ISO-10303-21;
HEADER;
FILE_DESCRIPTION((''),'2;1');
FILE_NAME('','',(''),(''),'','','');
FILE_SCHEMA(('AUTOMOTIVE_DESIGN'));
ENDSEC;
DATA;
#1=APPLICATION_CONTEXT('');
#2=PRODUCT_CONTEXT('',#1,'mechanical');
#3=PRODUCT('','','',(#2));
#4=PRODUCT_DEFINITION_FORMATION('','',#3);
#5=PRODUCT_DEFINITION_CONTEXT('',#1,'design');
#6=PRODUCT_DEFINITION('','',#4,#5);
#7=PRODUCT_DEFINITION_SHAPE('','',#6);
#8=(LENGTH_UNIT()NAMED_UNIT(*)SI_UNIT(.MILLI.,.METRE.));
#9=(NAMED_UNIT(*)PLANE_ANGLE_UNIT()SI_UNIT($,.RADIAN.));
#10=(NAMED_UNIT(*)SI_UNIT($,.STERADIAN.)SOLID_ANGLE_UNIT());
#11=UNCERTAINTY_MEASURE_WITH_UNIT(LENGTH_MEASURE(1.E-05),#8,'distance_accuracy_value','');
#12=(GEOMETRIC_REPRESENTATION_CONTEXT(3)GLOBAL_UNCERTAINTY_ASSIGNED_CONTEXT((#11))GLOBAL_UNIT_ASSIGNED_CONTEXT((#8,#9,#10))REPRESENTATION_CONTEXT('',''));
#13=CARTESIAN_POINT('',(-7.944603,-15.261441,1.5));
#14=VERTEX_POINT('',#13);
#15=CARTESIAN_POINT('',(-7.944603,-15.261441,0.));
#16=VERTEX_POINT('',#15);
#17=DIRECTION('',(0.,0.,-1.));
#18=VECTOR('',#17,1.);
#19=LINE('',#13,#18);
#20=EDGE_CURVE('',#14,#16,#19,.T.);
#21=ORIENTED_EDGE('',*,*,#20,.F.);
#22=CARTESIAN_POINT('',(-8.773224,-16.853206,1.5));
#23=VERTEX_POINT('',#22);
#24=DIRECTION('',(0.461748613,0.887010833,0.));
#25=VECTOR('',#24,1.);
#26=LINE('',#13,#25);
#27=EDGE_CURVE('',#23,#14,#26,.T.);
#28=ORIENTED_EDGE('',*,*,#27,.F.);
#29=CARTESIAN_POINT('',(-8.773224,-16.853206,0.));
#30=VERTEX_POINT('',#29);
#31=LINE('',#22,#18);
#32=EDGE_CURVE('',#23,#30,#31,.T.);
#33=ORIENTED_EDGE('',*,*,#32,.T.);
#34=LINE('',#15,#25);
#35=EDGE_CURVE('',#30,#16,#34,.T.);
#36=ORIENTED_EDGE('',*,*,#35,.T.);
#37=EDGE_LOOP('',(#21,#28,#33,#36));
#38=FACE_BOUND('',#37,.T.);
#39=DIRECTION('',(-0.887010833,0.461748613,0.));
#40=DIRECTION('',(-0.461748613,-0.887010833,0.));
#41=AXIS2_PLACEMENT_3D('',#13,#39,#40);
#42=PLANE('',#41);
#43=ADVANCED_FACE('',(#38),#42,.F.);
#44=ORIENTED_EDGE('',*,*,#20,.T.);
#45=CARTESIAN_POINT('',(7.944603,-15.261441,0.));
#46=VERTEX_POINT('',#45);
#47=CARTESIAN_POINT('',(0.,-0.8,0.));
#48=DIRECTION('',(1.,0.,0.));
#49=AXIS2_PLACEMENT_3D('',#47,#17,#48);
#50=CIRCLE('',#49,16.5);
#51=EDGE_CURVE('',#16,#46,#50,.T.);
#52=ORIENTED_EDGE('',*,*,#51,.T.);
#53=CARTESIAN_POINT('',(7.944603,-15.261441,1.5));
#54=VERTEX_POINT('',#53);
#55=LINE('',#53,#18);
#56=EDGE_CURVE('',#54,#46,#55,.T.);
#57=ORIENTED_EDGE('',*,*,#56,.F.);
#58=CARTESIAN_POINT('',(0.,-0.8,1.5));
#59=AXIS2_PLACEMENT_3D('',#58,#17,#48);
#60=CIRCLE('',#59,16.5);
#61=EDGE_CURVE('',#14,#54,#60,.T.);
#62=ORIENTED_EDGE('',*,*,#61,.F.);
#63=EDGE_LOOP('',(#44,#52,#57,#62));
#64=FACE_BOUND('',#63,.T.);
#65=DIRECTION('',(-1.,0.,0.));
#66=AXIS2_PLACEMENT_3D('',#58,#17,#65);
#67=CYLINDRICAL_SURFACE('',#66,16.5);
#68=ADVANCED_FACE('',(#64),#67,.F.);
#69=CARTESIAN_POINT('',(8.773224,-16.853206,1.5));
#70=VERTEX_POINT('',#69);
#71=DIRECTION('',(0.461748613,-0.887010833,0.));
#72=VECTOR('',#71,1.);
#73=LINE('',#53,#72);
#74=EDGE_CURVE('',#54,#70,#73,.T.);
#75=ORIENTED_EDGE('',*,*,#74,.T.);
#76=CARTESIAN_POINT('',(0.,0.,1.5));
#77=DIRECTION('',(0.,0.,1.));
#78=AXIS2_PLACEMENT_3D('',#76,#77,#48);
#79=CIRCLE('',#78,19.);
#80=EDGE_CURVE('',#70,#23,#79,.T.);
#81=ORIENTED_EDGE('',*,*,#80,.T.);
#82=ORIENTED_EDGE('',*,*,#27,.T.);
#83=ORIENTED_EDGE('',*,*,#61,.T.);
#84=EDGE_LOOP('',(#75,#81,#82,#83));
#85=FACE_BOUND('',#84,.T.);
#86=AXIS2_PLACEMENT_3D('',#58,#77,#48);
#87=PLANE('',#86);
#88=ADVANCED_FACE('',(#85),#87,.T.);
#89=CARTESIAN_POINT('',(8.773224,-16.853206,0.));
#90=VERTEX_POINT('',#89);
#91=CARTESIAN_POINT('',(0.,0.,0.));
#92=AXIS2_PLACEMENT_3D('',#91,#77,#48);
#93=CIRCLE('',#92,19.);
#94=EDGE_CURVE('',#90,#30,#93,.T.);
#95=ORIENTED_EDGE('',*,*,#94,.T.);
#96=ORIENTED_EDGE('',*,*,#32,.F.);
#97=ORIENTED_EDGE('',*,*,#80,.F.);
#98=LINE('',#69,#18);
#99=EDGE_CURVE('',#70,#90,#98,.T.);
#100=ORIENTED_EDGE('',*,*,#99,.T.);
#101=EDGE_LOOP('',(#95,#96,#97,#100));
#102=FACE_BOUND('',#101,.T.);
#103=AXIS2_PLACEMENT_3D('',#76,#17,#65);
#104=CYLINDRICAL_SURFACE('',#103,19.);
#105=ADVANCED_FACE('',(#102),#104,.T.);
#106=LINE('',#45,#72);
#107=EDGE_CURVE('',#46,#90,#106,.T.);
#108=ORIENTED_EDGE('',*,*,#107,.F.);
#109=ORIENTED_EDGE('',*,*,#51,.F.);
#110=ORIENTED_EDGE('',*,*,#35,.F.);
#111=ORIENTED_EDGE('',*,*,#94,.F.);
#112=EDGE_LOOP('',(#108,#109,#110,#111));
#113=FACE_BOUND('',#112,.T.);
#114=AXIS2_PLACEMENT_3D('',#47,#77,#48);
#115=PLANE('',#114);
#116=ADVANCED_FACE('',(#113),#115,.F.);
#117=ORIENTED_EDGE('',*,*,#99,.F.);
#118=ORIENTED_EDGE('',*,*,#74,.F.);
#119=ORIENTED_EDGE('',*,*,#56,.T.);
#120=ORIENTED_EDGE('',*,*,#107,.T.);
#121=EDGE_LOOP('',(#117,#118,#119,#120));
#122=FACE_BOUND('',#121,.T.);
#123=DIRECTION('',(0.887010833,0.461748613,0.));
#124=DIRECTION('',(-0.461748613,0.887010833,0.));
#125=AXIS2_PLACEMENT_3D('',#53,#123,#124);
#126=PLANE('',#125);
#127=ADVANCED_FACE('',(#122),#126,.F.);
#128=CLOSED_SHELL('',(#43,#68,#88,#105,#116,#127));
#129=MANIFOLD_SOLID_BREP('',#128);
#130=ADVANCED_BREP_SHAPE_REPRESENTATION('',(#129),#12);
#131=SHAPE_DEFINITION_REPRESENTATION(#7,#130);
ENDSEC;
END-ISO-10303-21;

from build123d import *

# Parameters (mm, degrees)
AUFSATZ_LINEAR_AUSTRAGEN1_DEPTH = 1.5


with BuildPart() as part:
    # Skizze1 → Aufsatz-Linear austragen1 (new body)
    with BuildSketch(Plane.XY):
        with BuildLine():
            Line((-7.944603359, -15.261441058), (-8.773223651, -16.85320583))
            ThreePointArc((-8.773223651, -16.85320583), (0, 19), (8.773223651, -16.85320583))
            Line((8.773223651, -16.85320583), (7.944603359, -15.261441058))
            ThreePointArc((7.944603359, -15.261441058), (0, 15.7), (-7.944603359, -15.261441058))
        make_face()
    extrude(amount=AUFSATZ_LINEAR_AUSTRAGEN1_DEPTH)


solid = part.part
